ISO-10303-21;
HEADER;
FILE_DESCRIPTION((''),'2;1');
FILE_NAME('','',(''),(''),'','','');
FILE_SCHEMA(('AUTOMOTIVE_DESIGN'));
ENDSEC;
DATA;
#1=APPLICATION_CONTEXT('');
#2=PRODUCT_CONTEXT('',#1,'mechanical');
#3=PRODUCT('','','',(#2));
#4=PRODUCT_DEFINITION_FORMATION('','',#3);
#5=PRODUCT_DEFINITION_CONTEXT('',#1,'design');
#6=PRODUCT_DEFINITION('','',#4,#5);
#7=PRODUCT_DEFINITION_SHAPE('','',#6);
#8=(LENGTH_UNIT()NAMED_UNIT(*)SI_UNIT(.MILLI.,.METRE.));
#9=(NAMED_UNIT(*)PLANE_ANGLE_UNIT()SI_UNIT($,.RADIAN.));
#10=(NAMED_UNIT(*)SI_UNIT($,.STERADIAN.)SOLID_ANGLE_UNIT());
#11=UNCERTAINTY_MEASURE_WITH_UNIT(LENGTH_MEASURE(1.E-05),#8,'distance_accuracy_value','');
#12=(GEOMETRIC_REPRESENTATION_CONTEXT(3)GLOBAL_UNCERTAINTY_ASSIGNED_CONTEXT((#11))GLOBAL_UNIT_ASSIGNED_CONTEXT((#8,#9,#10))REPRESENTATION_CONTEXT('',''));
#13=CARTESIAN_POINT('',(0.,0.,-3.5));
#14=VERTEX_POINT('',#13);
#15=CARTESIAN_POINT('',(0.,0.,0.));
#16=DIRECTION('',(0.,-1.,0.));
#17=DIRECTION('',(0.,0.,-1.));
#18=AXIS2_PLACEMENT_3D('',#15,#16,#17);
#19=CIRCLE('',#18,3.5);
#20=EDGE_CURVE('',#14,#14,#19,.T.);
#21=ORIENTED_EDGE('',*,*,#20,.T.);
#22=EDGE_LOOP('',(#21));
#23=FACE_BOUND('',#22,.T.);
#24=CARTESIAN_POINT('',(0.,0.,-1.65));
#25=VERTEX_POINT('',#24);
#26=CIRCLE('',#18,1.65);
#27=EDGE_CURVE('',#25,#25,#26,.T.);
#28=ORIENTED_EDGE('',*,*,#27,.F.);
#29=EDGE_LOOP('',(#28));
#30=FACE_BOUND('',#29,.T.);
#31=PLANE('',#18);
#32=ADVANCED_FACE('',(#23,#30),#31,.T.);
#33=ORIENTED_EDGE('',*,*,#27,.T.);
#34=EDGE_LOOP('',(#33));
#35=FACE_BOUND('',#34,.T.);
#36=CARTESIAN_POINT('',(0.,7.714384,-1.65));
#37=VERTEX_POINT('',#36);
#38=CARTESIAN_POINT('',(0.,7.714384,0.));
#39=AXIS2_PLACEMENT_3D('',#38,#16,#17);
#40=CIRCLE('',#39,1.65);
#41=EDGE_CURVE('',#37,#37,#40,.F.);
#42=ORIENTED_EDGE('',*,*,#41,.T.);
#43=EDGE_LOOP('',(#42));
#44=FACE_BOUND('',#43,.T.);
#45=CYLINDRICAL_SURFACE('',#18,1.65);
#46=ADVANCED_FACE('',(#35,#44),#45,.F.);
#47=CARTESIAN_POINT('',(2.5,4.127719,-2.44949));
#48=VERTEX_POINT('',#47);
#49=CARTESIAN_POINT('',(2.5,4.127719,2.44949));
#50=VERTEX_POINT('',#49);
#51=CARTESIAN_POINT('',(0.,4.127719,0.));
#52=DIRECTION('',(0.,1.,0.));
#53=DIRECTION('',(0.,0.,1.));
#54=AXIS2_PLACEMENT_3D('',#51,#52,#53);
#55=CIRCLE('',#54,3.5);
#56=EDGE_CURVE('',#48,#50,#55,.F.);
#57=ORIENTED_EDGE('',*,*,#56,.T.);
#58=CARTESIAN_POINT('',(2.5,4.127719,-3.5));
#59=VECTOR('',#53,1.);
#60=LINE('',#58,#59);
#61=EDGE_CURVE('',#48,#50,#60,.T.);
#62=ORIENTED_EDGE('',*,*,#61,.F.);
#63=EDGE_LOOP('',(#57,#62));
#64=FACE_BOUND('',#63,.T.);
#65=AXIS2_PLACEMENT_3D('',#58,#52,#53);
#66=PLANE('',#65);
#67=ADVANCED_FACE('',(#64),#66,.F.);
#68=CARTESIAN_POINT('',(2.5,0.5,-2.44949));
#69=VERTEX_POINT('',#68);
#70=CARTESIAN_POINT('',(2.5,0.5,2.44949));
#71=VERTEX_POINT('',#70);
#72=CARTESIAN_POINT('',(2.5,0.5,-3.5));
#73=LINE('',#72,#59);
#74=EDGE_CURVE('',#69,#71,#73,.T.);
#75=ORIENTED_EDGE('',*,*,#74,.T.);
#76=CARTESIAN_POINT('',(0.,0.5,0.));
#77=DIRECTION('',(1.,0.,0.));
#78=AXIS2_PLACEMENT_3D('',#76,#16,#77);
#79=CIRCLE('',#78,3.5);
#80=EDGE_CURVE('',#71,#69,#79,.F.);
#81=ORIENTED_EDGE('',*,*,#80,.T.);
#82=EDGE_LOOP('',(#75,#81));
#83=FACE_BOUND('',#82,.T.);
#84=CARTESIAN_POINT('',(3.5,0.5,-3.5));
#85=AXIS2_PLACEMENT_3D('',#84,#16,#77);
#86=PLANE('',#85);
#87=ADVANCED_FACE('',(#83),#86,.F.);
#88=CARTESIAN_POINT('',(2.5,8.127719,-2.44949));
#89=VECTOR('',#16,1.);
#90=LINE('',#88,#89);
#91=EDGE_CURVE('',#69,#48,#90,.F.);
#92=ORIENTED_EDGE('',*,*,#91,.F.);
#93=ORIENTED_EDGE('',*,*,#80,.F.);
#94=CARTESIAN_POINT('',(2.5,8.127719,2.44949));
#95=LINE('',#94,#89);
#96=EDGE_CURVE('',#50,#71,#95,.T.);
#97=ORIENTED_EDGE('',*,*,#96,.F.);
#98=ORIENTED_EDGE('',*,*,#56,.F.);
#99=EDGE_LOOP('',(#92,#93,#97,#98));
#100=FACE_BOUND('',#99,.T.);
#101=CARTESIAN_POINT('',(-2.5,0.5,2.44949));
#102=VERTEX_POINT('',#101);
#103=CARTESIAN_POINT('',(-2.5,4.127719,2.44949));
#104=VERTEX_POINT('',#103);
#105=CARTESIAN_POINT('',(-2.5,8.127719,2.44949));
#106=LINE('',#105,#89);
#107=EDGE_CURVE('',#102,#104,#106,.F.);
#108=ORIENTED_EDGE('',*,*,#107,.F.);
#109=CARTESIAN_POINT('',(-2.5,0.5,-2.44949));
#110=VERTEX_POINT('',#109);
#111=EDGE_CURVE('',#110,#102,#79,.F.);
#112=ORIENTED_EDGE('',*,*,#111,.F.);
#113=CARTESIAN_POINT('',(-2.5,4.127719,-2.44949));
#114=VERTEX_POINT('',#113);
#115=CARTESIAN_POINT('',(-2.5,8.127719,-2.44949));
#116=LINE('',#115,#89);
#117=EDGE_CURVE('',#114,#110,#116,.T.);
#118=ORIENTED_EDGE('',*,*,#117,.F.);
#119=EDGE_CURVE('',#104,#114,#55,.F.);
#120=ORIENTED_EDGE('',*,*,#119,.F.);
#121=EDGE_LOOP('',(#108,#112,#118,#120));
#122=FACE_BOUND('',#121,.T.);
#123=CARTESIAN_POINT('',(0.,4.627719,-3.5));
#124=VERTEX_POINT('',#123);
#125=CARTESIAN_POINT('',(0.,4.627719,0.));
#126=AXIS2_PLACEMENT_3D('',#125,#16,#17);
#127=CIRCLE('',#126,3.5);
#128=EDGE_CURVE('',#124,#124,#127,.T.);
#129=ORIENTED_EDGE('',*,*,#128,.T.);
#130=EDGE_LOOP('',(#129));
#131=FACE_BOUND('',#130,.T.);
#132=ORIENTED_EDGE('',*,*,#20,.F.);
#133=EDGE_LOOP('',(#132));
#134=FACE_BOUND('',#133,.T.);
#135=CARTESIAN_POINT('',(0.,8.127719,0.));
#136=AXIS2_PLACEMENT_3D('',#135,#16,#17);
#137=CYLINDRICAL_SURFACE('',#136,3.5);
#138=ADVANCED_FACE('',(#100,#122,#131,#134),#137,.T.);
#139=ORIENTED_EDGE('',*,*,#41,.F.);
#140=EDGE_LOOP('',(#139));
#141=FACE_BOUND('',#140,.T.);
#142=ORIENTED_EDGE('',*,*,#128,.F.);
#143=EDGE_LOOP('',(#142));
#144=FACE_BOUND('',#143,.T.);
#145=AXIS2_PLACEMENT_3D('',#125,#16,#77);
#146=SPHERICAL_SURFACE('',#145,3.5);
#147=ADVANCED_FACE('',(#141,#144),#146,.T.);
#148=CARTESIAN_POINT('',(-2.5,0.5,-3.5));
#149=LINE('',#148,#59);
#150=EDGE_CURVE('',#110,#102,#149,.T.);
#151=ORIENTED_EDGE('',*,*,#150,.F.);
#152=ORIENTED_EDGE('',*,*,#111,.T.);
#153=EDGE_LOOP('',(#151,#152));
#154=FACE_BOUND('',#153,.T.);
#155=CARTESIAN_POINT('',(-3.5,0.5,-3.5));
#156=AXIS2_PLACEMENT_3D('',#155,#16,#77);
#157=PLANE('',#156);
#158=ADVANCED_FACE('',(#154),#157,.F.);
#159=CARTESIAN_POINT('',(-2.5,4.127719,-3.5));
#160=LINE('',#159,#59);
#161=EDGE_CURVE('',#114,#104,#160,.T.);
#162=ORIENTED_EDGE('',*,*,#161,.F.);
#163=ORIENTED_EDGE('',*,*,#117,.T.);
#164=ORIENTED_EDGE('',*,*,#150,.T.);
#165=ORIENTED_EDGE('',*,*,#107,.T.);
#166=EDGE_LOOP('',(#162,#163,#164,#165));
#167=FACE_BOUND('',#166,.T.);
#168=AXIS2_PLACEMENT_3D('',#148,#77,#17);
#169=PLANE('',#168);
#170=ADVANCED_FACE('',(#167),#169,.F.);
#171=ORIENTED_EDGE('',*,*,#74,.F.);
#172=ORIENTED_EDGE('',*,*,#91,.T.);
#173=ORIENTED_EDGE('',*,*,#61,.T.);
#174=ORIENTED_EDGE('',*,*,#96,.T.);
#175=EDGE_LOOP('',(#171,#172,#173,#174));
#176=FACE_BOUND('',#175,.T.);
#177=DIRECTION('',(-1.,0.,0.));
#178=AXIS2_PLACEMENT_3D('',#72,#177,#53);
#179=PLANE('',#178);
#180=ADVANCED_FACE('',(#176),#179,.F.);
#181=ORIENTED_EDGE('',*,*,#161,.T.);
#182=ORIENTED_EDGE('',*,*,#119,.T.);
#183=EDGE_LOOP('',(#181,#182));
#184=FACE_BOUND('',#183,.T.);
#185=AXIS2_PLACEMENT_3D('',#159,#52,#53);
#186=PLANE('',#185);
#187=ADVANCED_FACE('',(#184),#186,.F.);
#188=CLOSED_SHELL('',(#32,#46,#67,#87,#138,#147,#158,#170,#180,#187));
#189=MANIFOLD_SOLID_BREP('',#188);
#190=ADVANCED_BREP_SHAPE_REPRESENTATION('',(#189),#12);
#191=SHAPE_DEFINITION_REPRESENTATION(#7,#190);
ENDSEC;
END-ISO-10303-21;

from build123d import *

# Parameters (mm, degrees)
TAP_DRILL_FOR_M4X0_7_TAP1_D = 3.3
CUT_EXTRUDE1_DEPTH          = 10.165790389
CUT_EXTRUDE1_DEPTH_BACK     = 10.165790389
SKETCH5_W                   = 1
SKETCH5_H                   = 3.627718677


with BuildPart() as part:
    # Sketch1 → Revolve1 (revolve)
    with BuildSketch(Plane.XY, mode=Mode.PRIVATE) as revolve1_sk:
        with BuildLine():
            Line((0, 0), (0, 8.127718677))
            ThreePointArc((0, 8.127718677), (2.474873734, 7.102592411), (3.5, 4.627718677))
            Line((3.5, 4.627718677), (3.5, 0))
            Line((3.5, 0), (0, 0))
        make_face()
    revolve(revolve1_sk.sketch.rotate(Axis((0, 8.127718677, 0), (0, 1, 0)), 90), axis=Axis((0, 8.127718677, 0), (0, 1, 0)))

    # Tap Drill for M4x0.7 Tap1 (through all)
    with Locations(Plane(origin=(0, 0, 0), x_dir=(-1, 0, 0), z_dir=(0, -1, 0))):
        with Locations((0, 0)):
            Hole(TAP_DRILL_FOR_M4X0_7_TAP1_D / 2)

    # Sketch5 → Cut-Extrude1 (cut, two sides: drawn at the far end of the back side and taken through both)
    with BuildSketch(Plane.XY.offset(-CUT_EXTRUDE1_DEPTH_BACK)):
        with Locations((3, 2.313859338)):
            Rectangle(SKETCH5_W, SKETCH5_H)
        with Locations((-3, 2.313859338)):
            Rectangle(SKETCH5_W, SKETCH5_H)
    extrude(amount=CUT_EXTRUDE1_DEPTH + CUT_EXTRUDE1_DEPTH_BACK, mode=Mode.SUBTRACT)


solid = part.part
